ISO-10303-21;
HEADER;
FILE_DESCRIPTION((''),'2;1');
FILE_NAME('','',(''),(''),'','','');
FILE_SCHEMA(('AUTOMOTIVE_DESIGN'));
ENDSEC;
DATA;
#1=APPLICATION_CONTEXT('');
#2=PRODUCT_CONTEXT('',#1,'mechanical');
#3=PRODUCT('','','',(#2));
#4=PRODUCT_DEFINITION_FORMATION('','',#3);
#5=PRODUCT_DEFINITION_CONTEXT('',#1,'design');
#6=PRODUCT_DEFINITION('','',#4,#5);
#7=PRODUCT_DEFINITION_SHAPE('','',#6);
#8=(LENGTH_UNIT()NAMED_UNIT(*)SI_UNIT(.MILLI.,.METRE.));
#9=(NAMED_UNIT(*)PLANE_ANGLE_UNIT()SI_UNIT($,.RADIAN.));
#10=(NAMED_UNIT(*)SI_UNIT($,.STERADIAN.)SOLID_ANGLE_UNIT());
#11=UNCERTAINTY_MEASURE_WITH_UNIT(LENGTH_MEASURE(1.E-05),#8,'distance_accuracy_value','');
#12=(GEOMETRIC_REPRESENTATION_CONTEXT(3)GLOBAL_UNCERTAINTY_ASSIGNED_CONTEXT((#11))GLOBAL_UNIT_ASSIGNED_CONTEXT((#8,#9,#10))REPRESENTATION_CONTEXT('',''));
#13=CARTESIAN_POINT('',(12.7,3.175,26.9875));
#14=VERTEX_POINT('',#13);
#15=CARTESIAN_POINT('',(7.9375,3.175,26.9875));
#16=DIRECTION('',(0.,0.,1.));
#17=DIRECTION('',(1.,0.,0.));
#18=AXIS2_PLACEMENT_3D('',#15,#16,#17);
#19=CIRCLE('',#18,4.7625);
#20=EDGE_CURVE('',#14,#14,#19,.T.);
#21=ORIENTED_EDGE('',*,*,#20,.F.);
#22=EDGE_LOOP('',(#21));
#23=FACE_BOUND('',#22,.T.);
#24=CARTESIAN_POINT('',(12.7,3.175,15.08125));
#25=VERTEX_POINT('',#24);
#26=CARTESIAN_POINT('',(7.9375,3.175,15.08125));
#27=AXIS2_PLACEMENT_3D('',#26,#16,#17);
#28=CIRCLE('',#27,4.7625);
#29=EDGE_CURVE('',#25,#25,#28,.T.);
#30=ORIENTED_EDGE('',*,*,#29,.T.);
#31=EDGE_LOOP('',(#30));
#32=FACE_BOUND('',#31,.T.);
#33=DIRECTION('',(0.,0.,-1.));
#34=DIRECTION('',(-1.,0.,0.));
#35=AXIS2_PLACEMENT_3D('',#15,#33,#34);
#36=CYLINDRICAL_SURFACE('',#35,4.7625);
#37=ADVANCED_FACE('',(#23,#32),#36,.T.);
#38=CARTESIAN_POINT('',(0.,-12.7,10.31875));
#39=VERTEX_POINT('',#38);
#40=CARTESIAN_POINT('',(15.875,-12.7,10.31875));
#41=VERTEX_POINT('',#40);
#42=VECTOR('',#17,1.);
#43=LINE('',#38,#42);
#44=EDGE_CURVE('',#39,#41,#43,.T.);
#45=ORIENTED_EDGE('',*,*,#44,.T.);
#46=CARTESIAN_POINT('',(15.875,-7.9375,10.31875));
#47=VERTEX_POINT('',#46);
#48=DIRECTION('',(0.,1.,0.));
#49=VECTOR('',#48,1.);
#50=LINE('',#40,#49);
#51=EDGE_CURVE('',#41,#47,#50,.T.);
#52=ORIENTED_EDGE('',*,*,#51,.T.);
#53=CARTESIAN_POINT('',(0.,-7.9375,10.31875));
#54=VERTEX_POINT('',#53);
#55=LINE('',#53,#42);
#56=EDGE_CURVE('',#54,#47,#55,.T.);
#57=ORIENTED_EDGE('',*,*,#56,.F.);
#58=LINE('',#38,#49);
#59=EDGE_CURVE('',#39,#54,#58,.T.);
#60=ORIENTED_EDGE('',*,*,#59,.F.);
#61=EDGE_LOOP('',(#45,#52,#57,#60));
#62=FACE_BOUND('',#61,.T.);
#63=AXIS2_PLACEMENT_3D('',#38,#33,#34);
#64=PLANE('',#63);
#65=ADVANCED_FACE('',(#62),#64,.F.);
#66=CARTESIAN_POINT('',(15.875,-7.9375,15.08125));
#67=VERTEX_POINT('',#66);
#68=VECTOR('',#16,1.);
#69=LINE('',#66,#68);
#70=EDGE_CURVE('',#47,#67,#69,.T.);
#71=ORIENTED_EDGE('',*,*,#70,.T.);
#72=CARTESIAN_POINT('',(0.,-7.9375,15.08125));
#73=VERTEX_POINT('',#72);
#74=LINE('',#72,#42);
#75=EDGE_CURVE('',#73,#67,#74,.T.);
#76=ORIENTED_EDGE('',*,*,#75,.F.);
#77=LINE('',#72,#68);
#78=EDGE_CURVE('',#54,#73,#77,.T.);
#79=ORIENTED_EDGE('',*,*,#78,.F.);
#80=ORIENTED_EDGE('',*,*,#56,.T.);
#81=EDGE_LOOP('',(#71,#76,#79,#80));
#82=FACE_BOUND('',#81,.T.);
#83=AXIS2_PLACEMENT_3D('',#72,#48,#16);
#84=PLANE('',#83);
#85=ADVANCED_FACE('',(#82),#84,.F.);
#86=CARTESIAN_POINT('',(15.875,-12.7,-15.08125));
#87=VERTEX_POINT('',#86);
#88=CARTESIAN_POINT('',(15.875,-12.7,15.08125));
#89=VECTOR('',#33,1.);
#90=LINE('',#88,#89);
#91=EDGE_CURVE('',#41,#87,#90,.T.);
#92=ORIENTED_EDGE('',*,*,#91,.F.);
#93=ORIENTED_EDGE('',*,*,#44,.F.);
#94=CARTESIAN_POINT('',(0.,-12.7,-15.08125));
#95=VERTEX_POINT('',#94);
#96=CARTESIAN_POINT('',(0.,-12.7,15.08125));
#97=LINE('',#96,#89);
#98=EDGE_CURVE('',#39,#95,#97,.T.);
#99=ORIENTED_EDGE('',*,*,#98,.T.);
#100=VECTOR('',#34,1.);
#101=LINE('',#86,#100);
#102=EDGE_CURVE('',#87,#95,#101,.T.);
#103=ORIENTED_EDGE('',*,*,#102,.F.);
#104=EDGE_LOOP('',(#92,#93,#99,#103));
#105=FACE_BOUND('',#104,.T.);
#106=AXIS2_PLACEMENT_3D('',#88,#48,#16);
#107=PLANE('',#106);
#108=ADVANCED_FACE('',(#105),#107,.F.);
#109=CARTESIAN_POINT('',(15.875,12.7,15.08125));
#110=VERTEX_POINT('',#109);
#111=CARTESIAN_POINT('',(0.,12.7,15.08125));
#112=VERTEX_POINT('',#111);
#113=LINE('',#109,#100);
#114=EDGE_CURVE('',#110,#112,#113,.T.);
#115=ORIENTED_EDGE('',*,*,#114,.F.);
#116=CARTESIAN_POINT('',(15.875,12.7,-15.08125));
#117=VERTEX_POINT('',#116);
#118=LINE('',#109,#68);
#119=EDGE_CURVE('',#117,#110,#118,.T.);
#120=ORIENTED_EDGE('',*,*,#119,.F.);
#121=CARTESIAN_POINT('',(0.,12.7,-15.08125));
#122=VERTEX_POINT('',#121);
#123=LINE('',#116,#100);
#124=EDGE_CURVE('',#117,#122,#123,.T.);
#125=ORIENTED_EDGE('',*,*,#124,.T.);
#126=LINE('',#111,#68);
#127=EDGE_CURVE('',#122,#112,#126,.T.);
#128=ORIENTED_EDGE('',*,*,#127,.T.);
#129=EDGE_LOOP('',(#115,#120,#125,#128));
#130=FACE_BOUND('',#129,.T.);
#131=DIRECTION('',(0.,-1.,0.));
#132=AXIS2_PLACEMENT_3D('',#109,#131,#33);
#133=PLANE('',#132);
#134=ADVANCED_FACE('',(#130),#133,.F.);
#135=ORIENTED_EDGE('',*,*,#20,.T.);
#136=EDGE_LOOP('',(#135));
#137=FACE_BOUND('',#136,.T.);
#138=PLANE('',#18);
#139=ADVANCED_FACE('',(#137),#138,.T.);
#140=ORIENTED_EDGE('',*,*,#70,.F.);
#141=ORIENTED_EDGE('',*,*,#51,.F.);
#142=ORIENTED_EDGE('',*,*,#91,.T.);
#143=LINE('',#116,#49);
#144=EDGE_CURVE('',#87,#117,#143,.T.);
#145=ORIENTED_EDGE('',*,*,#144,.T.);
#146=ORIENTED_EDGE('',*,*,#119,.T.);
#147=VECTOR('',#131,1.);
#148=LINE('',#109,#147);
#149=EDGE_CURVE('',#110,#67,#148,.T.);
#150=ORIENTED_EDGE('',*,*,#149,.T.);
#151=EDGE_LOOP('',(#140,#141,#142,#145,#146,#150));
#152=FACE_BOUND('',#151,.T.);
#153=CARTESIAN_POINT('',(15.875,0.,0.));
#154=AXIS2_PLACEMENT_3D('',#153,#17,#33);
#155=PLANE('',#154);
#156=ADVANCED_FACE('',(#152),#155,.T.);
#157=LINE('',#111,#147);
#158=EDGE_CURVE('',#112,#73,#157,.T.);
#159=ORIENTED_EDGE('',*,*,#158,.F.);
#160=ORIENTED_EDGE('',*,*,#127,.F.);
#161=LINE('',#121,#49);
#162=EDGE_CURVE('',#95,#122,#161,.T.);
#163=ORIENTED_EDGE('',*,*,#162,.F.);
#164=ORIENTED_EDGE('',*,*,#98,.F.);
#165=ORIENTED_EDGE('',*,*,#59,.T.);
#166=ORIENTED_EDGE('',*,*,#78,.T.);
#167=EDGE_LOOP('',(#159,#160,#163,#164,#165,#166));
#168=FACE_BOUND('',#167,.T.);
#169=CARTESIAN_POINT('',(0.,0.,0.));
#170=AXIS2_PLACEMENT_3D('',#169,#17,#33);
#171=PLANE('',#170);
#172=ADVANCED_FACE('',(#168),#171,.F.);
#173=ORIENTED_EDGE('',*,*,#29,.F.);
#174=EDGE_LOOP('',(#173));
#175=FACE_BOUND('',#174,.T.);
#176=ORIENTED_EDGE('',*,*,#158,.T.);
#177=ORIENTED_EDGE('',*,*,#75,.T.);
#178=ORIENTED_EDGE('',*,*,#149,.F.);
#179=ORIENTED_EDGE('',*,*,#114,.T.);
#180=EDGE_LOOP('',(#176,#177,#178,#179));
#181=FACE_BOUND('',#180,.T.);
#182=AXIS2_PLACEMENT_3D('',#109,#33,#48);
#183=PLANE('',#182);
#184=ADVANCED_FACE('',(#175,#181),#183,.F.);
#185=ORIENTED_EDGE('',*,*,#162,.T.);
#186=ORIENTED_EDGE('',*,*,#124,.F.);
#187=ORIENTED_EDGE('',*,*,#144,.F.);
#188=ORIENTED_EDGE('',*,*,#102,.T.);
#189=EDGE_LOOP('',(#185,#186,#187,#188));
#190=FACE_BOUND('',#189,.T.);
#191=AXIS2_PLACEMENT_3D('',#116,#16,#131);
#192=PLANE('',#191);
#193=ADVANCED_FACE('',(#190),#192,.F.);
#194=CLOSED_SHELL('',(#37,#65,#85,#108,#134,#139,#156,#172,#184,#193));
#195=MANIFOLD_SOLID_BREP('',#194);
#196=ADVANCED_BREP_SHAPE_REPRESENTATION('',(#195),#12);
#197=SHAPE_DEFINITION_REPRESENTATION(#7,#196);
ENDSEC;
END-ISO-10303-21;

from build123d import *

# Parameters (mm, degrees)
SKETCH1_W           = 30.1625
SKETCH1_H           = 25.4
BOSS_EXTRUDE1_DEPTH = 15.875
SKETCH2_R           = 4.7625
BOSS_EXTRUDE2_DEPTH = 11.90625
SKETCH3_W           = 4.7625
SKETCH3_H           = 4.7625
CUT_EXTRUDE1_DEPTH  = 16.875


with BuildPart() as part:
    # Sketch1 → Boss-Extrude1 (new body)
    with BuildSketch(Plane(origin=(0, 0, 0), x_dir=(0, 0, -1), z_dir=(1, 0, 0))):
        Rectangle(SKETCH1_W, SKETCH1_H)
    extrude(amount=BOSS_EXTRUDE1_DEPTH)

    # Sketch2 → Boss-Extrude2 (add)
    with BuildSketch(Plane.XY.offset(15.08125)):
        with Locations((7.9375, 3.175)):
            Circle(SKETCH2_R)
    extrude(amount=BOSS_EXTRUDE2_DEPTH)

    # Sketch3 → Cut-Extrude1 (cut, through all)
    with BuildSketch(Plane(origin=(15.875, 0, 0), x_dir=(0, 0, -1), z_dir=(1, 0, 0))):
        with Locations((-12.7, -10.31875)):
            Rectangle(SKETCH3_W, SKETCH3_H)
    extrude(amount=-CUT_EXTRUDE1_DEPTH, mode=Mode.SUBTRACT)


solid = part.part
